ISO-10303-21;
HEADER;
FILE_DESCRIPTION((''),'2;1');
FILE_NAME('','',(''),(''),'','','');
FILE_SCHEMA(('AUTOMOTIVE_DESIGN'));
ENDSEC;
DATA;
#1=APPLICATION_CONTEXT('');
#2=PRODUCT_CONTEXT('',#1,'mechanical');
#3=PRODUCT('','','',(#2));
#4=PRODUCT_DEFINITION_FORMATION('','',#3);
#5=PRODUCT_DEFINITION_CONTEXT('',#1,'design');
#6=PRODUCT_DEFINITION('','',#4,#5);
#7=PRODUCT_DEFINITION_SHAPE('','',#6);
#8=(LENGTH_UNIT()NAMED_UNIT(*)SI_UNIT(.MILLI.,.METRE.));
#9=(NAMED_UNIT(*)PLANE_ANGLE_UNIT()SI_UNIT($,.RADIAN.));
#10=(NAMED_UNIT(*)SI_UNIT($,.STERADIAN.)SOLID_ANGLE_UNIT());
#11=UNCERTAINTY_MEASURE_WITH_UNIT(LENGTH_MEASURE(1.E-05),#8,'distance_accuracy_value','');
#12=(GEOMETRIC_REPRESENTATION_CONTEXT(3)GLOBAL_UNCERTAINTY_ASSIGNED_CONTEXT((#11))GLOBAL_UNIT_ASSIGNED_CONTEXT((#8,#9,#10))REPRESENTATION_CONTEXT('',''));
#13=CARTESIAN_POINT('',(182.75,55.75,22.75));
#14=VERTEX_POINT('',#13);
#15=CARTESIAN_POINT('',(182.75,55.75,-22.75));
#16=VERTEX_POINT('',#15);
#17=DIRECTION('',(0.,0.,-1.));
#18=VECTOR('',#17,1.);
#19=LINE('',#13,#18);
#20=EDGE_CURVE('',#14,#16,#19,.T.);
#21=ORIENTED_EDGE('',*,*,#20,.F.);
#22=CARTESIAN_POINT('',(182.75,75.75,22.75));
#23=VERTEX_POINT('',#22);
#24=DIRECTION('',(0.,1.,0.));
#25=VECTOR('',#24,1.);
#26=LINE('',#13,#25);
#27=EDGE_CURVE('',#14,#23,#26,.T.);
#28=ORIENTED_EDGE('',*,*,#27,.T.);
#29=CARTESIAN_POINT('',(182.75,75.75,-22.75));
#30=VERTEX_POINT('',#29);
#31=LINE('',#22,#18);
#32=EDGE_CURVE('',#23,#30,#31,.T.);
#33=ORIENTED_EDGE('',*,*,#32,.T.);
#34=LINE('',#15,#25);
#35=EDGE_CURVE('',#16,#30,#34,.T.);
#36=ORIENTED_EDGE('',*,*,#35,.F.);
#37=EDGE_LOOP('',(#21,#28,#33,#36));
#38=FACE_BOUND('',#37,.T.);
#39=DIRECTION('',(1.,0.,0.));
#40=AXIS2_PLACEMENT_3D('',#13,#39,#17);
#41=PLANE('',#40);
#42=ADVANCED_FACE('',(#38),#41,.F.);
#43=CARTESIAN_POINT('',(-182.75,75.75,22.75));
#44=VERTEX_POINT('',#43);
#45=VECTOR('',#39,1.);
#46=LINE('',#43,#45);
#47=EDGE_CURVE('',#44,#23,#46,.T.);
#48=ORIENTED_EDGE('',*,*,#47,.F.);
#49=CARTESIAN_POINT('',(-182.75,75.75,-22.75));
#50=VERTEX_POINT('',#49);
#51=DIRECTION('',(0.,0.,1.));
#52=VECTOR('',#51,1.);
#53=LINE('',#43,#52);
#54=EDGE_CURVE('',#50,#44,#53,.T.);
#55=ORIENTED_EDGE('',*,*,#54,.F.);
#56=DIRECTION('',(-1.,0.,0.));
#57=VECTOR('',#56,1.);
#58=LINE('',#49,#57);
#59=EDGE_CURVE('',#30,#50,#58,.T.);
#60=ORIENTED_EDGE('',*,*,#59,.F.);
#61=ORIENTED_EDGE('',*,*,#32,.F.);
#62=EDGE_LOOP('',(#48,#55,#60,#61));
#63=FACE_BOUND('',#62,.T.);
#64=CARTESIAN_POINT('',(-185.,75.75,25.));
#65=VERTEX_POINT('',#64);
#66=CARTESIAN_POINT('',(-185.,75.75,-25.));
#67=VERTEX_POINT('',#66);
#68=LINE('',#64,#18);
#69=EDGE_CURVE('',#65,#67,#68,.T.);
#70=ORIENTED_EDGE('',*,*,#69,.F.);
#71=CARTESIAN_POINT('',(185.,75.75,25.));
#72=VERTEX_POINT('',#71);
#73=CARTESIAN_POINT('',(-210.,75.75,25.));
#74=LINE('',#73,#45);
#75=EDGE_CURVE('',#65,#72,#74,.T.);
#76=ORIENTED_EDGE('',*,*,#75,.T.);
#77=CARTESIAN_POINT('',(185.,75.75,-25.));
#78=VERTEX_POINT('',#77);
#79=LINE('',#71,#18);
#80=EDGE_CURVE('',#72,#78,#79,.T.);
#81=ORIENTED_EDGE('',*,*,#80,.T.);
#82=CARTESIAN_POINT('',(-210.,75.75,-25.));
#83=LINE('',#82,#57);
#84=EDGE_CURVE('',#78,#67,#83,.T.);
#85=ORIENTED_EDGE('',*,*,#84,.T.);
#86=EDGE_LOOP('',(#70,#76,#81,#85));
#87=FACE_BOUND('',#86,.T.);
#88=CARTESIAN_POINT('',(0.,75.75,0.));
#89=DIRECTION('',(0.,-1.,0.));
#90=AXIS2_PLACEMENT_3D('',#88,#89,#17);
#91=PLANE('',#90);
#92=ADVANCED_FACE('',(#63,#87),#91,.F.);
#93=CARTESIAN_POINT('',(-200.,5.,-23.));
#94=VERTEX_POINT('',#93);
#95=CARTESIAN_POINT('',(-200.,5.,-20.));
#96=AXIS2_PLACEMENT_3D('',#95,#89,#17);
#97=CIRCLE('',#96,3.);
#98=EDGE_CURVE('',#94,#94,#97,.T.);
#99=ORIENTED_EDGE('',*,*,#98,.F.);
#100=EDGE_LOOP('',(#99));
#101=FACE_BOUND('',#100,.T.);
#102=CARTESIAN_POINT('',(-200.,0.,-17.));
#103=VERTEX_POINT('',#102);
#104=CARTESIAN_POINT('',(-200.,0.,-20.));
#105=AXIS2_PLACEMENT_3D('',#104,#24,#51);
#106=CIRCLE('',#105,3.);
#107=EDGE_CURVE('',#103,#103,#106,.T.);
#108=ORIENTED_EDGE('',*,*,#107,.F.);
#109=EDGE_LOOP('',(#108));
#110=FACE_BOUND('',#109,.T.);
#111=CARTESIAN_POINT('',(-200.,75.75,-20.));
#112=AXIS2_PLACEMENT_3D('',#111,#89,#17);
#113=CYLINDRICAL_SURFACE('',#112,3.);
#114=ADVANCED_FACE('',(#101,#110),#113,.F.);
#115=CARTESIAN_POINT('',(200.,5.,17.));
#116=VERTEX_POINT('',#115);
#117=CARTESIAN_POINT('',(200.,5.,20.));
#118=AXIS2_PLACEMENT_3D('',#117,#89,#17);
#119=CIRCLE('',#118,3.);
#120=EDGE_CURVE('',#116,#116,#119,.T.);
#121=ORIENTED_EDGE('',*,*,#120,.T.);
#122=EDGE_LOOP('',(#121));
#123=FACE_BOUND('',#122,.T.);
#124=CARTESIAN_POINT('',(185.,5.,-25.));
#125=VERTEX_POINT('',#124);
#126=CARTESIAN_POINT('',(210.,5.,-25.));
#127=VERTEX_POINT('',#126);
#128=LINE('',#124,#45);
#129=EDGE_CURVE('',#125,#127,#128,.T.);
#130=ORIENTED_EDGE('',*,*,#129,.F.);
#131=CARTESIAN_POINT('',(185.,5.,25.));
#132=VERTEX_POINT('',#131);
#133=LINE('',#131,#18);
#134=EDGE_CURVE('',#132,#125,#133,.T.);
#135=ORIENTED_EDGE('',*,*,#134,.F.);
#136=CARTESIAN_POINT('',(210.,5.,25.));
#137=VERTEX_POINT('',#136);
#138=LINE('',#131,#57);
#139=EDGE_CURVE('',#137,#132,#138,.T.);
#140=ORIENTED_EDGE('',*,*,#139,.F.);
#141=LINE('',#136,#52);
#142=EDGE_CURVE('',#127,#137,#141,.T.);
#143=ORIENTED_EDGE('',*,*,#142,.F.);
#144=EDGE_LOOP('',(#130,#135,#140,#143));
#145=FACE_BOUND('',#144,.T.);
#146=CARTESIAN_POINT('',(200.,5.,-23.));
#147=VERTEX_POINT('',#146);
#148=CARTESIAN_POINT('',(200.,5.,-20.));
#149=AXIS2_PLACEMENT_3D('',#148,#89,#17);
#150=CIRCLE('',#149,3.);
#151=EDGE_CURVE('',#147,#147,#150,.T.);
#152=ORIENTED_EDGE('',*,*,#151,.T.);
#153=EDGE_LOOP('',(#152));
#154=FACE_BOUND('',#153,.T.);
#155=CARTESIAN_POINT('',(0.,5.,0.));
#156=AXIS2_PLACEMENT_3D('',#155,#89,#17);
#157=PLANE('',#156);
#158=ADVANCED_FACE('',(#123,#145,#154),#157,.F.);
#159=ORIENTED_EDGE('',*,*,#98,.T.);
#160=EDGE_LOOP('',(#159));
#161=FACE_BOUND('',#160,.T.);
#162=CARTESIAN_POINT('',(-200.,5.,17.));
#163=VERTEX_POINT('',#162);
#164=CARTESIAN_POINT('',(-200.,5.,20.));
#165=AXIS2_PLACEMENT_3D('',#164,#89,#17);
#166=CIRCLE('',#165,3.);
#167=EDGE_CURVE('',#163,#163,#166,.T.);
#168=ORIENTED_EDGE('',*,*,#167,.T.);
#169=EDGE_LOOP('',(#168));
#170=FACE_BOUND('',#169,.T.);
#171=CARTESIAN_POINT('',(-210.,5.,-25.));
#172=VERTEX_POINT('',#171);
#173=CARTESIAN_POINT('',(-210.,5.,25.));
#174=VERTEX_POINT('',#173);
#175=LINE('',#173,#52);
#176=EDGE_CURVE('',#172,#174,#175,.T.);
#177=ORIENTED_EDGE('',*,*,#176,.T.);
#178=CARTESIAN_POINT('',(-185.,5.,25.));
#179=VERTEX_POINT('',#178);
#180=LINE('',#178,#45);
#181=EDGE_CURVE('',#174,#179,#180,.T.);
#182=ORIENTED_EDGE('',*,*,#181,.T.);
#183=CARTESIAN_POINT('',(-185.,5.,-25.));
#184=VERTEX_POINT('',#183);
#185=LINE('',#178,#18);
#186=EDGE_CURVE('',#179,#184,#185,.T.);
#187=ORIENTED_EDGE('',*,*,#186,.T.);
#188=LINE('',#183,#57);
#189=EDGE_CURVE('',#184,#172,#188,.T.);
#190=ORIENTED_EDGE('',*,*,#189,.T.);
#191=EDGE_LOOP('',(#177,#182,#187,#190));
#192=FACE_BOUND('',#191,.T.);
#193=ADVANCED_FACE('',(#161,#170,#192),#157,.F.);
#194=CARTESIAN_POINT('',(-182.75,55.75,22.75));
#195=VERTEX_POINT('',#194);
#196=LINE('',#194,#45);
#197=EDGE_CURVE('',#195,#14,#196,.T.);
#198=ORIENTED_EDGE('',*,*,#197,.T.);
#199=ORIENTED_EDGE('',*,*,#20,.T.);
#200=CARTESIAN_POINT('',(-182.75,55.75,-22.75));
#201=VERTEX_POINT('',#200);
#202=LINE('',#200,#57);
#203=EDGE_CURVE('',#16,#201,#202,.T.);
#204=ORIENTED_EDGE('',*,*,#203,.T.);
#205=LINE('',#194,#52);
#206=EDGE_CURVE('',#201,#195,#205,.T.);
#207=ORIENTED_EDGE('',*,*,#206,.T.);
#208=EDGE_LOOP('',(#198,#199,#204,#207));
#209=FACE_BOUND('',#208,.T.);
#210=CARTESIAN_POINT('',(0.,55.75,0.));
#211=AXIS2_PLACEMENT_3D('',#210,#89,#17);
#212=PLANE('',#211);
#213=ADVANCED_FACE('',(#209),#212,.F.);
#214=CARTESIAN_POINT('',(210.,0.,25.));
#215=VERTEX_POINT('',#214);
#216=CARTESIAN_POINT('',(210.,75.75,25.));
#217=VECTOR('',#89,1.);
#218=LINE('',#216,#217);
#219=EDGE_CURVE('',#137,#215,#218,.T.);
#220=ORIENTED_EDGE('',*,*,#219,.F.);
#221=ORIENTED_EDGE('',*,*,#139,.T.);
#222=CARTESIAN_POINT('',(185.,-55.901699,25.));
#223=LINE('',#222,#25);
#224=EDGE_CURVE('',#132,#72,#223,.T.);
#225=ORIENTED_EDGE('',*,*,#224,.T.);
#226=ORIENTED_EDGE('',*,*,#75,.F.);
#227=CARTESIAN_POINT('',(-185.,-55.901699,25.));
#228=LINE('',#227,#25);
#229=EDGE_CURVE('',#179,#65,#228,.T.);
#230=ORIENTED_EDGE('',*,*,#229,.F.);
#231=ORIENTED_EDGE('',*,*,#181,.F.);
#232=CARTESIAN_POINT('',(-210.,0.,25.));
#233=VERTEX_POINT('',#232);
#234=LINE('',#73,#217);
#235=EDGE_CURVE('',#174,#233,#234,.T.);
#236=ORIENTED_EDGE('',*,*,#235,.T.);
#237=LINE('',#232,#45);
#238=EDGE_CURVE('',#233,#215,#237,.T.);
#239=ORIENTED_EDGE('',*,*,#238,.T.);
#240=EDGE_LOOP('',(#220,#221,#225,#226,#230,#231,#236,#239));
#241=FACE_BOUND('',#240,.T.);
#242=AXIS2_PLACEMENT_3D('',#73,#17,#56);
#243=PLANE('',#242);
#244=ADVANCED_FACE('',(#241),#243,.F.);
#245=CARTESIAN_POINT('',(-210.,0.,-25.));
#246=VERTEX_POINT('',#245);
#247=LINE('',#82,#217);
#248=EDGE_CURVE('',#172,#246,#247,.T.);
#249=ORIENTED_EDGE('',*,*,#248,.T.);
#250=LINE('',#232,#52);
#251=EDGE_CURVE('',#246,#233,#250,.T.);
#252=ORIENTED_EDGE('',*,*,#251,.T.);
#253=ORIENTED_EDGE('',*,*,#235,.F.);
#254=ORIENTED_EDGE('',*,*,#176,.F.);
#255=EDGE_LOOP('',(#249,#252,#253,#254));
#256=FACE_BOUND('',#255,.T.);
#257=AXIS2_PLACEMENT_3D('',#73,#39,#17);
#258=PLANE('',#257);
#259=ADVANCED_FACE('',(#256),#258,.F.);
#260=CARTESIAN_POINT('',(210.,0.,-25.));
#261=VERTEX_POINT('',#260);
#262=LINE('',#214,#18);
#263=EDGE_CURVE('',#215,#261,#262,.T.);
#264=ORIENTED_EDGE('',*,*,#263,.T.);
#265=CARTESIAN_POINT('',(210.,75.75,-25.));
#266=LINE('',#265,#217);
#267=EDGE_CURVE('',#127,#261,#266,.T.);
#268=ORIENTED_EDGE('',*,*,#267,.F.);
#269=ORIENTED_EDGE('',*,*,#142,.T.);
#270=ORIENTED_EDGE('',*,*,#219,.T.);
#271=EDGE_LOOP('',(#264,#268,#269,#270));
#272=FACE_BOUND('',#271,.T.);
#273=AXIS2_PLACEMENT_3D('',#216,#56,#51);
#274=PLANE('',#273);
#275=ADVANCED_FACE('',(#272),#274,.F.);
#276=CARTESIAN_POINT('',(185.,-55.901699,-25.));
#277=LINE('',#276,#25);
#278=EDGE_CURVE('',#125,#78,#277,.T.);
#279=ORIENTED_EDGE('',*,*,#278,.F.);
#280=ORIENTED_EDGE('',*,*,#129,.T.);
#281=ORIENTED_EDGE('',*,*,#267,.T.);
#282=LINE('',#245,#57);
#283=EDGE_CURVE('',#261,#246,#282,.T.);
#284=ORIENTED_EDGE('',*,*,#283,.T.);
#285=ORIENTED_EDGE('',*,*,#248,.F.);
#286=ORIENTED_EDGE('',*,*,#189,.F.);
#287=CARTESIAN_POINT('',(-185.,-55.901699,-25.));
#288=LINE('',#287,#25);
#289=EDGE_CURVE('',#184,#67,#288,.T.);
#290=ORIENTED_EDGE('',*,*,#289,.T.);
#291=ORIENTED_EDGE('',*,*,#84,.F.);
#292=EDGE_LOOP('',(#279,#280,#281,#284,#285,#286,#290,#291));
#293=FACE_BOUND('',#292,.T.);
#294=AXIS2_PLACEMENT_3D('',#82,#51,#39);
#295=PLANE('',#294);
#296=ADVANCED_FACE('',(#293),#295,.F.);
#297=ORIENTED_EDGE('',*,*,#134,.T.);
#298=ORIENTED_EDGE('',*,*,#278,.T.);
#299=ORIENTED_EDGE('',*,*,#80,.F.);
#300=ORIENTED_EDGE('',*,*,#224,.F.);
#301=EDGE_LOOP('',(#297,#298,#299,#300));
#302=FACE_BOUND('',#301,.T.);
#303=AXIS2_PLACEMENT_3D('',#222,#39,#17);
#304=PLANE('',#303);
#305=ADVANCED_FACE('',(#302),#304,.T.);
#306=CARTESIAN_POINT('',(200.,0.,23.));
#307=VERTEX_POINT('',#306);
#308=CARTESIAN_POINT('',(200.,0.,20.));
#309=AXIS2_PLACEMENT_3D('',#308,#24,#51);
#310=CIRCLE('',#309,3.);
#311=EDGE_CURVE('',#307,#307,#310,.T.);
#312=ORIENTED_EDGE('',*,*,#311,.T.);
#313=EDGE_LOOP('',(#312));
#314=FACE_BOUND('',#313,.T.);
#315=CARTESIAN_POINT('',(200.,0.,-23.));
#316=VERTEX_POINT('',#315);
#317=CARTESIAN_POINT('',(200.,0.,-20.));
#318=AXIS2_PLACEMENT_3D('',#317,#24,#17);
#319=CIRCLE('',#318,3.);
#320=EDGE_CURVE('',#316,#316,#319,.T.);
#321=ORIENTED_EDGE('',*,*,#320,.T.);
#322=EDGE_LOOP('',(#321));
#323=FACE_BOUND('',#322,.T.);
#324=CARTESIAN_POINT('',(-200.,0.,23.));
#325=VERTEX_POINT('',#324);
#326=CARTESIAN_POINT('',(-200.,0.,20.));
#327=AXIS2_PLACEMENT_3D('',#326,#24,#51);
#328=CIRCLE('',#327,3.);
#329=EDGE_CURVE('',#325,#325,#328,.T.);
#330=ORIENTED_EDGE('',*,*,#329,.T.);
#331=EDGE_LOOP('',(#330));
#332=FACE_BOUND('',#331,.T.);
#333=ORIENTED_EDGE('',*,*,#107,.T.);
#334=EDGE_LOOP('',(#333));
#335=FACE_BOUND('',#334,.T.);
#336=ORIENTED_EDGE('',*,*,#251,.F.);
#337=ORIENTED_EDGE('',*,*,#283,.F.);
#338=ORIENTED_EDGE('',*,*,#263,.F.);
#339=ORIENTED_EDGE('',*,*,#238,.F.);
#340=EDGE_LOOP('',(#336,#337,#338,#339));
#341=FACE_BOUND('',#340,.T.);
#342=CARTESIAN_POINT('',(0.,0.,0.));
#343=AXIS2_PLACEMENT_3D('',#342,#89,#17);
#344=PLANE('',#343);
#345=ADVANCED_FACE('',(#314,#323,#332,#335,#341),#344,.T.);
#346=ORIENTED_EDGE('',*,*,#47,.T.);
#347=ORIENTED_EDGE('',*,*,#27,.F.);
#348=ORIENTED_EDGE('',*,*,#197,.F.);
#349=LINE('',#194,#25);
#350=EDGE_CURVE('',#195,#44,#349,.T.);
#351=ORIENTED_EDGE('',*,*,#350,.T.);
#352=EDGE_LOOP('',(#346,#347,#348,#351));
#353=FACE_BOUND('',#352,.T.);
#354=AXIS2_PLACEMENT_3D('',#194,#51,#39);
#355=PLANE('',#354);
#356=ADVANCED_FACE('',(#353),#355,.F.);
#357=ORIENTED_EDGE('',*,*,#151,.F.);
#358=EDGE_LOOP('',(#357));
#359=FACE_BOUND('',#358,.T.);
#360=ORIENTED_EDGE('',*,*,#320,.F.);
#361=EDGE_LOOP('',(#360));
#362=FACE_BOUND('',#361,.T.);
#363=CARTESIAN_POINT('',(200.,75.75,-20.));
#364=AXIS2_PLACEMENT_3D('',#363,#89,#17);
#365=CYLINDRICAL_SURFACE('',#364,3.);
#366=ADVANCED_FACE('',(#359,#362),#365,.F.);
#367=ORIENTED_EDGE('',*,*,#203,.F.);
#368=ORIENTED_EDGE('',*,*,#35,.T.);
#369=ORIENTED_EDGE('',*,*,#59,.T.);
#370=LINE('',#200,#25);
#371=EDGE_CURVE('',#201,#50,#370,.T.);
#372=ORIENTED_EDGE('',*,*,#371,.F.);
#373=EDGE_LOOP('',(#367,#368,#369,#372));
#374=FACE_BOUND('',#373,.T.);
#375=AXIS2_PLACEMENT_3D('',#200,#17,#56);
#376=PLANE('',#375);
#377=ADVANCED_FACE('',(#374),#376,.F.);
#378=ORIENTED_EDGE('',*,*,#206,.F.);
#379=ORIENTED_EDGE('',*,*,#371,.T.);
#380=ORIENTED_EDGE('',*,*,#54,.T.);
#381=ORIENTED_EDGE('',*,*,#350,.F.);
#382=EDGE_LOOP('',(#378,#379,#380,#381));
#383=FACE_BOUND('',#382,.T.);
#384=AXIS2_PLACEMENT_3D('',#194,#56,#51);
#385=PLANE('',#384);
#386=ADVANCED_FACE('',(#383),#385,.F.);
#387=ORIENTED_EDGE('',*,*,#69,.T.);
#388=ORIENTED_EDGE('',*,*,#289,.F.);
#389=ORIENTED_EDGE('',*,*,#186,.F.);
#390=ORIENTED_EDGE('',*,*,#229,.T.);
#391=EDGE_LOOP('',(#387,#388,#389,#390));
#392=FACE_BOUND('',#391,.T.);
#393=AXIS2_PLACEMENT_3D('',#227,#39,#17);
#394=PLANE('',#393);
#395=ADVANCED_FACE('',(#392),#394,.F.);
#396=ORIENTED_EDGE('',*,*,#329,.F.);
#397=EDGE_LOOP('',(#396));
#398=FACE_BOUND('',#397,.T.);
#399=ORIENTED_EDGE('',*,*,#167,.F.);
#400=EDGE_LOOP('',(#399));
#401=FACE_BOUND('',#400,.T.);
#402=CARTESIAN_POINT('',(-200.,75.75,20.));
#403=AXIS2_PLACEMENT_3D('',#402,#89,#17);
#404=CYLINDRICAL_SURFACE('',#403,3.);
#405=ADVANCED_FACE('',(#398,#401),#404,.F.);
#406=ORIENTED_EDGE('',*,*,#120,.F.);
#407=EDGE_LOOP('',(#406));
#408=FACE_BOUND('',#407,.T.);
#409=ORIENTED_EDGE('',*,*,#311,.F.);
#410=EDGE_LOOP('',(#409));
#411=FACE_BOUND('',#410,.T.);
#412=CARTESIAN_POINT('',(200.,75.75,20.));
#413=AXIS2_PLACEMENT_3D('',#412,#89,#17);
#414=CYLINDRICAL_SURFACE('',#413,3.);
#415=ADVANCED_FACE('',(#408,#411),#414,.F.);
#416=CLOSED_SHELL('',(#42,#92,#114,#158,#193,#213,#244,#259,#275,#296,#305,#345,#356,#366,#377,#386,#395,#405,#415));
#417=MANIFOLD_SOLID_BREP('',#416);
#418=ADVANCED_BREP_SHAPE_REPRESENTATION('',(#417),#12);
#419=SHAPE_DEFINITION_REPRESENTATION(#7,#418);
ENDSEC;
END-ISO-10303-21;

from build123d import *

# Parameters (mm, degrees)
SKETCH1_W           = 420
SKETCH1_H           = 50
SKETCH1_R           = 3
BOSS_EXTRUDE1_DEPTH = 75.75
SKETCH2_W           = 365.5
SKETCH2_H           = 45.5
CUT_EXTRUDE1_DEPTH  = 20
SKETCH3_W           = 25
SKETCH3_H           = 50
CUT_EXTRUDE2_DEPTH  = 70.75


with BuildPart() as part:
    # Sketch1 → Boss-Extrude1 (new body)
    with BuildSketch(Plane(origin=(0, 0, 0), x_dir=(1, 0, 0), z_dir=(0, 1, 0))):
        Rectangle(SKETCH1_W, SKETCH1_H)
        with Locations(Location((-200, -20, 0), (0, 0, 270))):
            Circle(SKETCH1_R, mode=Mode.SUBTRACT)
        with Locations(Location((200, -20, 0), (0, 0, 270))):
            Circle(SKETCH1_R, mode=Mode.SUBTRACT)
        with Locations(Location((-200, 20, 0), (0, 0, 270))):
            Circle(SKETCH1_R, mode=Mode.SUBTRACT)
        with Locations(Location((200, 20, 0), (0, 0, 90))):
            Circle(SKETCH1_R, mode=Mode.SUBTRACT)
    extrude(amount=BOSS_EXTRUDE1_DEPTH)

    # Sketch2 → Cut-Extrude1 (cut)
    with BuildSketch(Plane(origin=(0, 75.75, 0), x_dir=(1, 0, 0), z_dir=(0, 1, 0))):
        Rectangle(SKETCH2_W, SKETCH2_H)
    extrude(amount=-CUT_EXTRUDE1_DEPTH, mode=Mode.SUBTRACT)

    # Sketch3 → Cut-Extrude2 (cut)
    with BuildSketch(Plane(origin=(0, 75.75, 0), x_dir=(1, 0, 0), z_dir=(0, 1, 0))):
        with Locations((-197.5, 0)):
            Rectangle(SKETCH3_W, SKETCH3_H)
    cut_extrude2 = extrude(amount=-CUT_EXTRUDE2_DEPTH, mode=Mode.SUBTRACT)

    # Mirror1: Cut-Extrude2 across plane
    add(cut_extrude2.mirror(Plane(origin=(0, 0, 0), x_dir=(0, 0, 1), z_dir=(1, 0, 0))), mode=Mode.SUBTRACT)


solid = part.part
